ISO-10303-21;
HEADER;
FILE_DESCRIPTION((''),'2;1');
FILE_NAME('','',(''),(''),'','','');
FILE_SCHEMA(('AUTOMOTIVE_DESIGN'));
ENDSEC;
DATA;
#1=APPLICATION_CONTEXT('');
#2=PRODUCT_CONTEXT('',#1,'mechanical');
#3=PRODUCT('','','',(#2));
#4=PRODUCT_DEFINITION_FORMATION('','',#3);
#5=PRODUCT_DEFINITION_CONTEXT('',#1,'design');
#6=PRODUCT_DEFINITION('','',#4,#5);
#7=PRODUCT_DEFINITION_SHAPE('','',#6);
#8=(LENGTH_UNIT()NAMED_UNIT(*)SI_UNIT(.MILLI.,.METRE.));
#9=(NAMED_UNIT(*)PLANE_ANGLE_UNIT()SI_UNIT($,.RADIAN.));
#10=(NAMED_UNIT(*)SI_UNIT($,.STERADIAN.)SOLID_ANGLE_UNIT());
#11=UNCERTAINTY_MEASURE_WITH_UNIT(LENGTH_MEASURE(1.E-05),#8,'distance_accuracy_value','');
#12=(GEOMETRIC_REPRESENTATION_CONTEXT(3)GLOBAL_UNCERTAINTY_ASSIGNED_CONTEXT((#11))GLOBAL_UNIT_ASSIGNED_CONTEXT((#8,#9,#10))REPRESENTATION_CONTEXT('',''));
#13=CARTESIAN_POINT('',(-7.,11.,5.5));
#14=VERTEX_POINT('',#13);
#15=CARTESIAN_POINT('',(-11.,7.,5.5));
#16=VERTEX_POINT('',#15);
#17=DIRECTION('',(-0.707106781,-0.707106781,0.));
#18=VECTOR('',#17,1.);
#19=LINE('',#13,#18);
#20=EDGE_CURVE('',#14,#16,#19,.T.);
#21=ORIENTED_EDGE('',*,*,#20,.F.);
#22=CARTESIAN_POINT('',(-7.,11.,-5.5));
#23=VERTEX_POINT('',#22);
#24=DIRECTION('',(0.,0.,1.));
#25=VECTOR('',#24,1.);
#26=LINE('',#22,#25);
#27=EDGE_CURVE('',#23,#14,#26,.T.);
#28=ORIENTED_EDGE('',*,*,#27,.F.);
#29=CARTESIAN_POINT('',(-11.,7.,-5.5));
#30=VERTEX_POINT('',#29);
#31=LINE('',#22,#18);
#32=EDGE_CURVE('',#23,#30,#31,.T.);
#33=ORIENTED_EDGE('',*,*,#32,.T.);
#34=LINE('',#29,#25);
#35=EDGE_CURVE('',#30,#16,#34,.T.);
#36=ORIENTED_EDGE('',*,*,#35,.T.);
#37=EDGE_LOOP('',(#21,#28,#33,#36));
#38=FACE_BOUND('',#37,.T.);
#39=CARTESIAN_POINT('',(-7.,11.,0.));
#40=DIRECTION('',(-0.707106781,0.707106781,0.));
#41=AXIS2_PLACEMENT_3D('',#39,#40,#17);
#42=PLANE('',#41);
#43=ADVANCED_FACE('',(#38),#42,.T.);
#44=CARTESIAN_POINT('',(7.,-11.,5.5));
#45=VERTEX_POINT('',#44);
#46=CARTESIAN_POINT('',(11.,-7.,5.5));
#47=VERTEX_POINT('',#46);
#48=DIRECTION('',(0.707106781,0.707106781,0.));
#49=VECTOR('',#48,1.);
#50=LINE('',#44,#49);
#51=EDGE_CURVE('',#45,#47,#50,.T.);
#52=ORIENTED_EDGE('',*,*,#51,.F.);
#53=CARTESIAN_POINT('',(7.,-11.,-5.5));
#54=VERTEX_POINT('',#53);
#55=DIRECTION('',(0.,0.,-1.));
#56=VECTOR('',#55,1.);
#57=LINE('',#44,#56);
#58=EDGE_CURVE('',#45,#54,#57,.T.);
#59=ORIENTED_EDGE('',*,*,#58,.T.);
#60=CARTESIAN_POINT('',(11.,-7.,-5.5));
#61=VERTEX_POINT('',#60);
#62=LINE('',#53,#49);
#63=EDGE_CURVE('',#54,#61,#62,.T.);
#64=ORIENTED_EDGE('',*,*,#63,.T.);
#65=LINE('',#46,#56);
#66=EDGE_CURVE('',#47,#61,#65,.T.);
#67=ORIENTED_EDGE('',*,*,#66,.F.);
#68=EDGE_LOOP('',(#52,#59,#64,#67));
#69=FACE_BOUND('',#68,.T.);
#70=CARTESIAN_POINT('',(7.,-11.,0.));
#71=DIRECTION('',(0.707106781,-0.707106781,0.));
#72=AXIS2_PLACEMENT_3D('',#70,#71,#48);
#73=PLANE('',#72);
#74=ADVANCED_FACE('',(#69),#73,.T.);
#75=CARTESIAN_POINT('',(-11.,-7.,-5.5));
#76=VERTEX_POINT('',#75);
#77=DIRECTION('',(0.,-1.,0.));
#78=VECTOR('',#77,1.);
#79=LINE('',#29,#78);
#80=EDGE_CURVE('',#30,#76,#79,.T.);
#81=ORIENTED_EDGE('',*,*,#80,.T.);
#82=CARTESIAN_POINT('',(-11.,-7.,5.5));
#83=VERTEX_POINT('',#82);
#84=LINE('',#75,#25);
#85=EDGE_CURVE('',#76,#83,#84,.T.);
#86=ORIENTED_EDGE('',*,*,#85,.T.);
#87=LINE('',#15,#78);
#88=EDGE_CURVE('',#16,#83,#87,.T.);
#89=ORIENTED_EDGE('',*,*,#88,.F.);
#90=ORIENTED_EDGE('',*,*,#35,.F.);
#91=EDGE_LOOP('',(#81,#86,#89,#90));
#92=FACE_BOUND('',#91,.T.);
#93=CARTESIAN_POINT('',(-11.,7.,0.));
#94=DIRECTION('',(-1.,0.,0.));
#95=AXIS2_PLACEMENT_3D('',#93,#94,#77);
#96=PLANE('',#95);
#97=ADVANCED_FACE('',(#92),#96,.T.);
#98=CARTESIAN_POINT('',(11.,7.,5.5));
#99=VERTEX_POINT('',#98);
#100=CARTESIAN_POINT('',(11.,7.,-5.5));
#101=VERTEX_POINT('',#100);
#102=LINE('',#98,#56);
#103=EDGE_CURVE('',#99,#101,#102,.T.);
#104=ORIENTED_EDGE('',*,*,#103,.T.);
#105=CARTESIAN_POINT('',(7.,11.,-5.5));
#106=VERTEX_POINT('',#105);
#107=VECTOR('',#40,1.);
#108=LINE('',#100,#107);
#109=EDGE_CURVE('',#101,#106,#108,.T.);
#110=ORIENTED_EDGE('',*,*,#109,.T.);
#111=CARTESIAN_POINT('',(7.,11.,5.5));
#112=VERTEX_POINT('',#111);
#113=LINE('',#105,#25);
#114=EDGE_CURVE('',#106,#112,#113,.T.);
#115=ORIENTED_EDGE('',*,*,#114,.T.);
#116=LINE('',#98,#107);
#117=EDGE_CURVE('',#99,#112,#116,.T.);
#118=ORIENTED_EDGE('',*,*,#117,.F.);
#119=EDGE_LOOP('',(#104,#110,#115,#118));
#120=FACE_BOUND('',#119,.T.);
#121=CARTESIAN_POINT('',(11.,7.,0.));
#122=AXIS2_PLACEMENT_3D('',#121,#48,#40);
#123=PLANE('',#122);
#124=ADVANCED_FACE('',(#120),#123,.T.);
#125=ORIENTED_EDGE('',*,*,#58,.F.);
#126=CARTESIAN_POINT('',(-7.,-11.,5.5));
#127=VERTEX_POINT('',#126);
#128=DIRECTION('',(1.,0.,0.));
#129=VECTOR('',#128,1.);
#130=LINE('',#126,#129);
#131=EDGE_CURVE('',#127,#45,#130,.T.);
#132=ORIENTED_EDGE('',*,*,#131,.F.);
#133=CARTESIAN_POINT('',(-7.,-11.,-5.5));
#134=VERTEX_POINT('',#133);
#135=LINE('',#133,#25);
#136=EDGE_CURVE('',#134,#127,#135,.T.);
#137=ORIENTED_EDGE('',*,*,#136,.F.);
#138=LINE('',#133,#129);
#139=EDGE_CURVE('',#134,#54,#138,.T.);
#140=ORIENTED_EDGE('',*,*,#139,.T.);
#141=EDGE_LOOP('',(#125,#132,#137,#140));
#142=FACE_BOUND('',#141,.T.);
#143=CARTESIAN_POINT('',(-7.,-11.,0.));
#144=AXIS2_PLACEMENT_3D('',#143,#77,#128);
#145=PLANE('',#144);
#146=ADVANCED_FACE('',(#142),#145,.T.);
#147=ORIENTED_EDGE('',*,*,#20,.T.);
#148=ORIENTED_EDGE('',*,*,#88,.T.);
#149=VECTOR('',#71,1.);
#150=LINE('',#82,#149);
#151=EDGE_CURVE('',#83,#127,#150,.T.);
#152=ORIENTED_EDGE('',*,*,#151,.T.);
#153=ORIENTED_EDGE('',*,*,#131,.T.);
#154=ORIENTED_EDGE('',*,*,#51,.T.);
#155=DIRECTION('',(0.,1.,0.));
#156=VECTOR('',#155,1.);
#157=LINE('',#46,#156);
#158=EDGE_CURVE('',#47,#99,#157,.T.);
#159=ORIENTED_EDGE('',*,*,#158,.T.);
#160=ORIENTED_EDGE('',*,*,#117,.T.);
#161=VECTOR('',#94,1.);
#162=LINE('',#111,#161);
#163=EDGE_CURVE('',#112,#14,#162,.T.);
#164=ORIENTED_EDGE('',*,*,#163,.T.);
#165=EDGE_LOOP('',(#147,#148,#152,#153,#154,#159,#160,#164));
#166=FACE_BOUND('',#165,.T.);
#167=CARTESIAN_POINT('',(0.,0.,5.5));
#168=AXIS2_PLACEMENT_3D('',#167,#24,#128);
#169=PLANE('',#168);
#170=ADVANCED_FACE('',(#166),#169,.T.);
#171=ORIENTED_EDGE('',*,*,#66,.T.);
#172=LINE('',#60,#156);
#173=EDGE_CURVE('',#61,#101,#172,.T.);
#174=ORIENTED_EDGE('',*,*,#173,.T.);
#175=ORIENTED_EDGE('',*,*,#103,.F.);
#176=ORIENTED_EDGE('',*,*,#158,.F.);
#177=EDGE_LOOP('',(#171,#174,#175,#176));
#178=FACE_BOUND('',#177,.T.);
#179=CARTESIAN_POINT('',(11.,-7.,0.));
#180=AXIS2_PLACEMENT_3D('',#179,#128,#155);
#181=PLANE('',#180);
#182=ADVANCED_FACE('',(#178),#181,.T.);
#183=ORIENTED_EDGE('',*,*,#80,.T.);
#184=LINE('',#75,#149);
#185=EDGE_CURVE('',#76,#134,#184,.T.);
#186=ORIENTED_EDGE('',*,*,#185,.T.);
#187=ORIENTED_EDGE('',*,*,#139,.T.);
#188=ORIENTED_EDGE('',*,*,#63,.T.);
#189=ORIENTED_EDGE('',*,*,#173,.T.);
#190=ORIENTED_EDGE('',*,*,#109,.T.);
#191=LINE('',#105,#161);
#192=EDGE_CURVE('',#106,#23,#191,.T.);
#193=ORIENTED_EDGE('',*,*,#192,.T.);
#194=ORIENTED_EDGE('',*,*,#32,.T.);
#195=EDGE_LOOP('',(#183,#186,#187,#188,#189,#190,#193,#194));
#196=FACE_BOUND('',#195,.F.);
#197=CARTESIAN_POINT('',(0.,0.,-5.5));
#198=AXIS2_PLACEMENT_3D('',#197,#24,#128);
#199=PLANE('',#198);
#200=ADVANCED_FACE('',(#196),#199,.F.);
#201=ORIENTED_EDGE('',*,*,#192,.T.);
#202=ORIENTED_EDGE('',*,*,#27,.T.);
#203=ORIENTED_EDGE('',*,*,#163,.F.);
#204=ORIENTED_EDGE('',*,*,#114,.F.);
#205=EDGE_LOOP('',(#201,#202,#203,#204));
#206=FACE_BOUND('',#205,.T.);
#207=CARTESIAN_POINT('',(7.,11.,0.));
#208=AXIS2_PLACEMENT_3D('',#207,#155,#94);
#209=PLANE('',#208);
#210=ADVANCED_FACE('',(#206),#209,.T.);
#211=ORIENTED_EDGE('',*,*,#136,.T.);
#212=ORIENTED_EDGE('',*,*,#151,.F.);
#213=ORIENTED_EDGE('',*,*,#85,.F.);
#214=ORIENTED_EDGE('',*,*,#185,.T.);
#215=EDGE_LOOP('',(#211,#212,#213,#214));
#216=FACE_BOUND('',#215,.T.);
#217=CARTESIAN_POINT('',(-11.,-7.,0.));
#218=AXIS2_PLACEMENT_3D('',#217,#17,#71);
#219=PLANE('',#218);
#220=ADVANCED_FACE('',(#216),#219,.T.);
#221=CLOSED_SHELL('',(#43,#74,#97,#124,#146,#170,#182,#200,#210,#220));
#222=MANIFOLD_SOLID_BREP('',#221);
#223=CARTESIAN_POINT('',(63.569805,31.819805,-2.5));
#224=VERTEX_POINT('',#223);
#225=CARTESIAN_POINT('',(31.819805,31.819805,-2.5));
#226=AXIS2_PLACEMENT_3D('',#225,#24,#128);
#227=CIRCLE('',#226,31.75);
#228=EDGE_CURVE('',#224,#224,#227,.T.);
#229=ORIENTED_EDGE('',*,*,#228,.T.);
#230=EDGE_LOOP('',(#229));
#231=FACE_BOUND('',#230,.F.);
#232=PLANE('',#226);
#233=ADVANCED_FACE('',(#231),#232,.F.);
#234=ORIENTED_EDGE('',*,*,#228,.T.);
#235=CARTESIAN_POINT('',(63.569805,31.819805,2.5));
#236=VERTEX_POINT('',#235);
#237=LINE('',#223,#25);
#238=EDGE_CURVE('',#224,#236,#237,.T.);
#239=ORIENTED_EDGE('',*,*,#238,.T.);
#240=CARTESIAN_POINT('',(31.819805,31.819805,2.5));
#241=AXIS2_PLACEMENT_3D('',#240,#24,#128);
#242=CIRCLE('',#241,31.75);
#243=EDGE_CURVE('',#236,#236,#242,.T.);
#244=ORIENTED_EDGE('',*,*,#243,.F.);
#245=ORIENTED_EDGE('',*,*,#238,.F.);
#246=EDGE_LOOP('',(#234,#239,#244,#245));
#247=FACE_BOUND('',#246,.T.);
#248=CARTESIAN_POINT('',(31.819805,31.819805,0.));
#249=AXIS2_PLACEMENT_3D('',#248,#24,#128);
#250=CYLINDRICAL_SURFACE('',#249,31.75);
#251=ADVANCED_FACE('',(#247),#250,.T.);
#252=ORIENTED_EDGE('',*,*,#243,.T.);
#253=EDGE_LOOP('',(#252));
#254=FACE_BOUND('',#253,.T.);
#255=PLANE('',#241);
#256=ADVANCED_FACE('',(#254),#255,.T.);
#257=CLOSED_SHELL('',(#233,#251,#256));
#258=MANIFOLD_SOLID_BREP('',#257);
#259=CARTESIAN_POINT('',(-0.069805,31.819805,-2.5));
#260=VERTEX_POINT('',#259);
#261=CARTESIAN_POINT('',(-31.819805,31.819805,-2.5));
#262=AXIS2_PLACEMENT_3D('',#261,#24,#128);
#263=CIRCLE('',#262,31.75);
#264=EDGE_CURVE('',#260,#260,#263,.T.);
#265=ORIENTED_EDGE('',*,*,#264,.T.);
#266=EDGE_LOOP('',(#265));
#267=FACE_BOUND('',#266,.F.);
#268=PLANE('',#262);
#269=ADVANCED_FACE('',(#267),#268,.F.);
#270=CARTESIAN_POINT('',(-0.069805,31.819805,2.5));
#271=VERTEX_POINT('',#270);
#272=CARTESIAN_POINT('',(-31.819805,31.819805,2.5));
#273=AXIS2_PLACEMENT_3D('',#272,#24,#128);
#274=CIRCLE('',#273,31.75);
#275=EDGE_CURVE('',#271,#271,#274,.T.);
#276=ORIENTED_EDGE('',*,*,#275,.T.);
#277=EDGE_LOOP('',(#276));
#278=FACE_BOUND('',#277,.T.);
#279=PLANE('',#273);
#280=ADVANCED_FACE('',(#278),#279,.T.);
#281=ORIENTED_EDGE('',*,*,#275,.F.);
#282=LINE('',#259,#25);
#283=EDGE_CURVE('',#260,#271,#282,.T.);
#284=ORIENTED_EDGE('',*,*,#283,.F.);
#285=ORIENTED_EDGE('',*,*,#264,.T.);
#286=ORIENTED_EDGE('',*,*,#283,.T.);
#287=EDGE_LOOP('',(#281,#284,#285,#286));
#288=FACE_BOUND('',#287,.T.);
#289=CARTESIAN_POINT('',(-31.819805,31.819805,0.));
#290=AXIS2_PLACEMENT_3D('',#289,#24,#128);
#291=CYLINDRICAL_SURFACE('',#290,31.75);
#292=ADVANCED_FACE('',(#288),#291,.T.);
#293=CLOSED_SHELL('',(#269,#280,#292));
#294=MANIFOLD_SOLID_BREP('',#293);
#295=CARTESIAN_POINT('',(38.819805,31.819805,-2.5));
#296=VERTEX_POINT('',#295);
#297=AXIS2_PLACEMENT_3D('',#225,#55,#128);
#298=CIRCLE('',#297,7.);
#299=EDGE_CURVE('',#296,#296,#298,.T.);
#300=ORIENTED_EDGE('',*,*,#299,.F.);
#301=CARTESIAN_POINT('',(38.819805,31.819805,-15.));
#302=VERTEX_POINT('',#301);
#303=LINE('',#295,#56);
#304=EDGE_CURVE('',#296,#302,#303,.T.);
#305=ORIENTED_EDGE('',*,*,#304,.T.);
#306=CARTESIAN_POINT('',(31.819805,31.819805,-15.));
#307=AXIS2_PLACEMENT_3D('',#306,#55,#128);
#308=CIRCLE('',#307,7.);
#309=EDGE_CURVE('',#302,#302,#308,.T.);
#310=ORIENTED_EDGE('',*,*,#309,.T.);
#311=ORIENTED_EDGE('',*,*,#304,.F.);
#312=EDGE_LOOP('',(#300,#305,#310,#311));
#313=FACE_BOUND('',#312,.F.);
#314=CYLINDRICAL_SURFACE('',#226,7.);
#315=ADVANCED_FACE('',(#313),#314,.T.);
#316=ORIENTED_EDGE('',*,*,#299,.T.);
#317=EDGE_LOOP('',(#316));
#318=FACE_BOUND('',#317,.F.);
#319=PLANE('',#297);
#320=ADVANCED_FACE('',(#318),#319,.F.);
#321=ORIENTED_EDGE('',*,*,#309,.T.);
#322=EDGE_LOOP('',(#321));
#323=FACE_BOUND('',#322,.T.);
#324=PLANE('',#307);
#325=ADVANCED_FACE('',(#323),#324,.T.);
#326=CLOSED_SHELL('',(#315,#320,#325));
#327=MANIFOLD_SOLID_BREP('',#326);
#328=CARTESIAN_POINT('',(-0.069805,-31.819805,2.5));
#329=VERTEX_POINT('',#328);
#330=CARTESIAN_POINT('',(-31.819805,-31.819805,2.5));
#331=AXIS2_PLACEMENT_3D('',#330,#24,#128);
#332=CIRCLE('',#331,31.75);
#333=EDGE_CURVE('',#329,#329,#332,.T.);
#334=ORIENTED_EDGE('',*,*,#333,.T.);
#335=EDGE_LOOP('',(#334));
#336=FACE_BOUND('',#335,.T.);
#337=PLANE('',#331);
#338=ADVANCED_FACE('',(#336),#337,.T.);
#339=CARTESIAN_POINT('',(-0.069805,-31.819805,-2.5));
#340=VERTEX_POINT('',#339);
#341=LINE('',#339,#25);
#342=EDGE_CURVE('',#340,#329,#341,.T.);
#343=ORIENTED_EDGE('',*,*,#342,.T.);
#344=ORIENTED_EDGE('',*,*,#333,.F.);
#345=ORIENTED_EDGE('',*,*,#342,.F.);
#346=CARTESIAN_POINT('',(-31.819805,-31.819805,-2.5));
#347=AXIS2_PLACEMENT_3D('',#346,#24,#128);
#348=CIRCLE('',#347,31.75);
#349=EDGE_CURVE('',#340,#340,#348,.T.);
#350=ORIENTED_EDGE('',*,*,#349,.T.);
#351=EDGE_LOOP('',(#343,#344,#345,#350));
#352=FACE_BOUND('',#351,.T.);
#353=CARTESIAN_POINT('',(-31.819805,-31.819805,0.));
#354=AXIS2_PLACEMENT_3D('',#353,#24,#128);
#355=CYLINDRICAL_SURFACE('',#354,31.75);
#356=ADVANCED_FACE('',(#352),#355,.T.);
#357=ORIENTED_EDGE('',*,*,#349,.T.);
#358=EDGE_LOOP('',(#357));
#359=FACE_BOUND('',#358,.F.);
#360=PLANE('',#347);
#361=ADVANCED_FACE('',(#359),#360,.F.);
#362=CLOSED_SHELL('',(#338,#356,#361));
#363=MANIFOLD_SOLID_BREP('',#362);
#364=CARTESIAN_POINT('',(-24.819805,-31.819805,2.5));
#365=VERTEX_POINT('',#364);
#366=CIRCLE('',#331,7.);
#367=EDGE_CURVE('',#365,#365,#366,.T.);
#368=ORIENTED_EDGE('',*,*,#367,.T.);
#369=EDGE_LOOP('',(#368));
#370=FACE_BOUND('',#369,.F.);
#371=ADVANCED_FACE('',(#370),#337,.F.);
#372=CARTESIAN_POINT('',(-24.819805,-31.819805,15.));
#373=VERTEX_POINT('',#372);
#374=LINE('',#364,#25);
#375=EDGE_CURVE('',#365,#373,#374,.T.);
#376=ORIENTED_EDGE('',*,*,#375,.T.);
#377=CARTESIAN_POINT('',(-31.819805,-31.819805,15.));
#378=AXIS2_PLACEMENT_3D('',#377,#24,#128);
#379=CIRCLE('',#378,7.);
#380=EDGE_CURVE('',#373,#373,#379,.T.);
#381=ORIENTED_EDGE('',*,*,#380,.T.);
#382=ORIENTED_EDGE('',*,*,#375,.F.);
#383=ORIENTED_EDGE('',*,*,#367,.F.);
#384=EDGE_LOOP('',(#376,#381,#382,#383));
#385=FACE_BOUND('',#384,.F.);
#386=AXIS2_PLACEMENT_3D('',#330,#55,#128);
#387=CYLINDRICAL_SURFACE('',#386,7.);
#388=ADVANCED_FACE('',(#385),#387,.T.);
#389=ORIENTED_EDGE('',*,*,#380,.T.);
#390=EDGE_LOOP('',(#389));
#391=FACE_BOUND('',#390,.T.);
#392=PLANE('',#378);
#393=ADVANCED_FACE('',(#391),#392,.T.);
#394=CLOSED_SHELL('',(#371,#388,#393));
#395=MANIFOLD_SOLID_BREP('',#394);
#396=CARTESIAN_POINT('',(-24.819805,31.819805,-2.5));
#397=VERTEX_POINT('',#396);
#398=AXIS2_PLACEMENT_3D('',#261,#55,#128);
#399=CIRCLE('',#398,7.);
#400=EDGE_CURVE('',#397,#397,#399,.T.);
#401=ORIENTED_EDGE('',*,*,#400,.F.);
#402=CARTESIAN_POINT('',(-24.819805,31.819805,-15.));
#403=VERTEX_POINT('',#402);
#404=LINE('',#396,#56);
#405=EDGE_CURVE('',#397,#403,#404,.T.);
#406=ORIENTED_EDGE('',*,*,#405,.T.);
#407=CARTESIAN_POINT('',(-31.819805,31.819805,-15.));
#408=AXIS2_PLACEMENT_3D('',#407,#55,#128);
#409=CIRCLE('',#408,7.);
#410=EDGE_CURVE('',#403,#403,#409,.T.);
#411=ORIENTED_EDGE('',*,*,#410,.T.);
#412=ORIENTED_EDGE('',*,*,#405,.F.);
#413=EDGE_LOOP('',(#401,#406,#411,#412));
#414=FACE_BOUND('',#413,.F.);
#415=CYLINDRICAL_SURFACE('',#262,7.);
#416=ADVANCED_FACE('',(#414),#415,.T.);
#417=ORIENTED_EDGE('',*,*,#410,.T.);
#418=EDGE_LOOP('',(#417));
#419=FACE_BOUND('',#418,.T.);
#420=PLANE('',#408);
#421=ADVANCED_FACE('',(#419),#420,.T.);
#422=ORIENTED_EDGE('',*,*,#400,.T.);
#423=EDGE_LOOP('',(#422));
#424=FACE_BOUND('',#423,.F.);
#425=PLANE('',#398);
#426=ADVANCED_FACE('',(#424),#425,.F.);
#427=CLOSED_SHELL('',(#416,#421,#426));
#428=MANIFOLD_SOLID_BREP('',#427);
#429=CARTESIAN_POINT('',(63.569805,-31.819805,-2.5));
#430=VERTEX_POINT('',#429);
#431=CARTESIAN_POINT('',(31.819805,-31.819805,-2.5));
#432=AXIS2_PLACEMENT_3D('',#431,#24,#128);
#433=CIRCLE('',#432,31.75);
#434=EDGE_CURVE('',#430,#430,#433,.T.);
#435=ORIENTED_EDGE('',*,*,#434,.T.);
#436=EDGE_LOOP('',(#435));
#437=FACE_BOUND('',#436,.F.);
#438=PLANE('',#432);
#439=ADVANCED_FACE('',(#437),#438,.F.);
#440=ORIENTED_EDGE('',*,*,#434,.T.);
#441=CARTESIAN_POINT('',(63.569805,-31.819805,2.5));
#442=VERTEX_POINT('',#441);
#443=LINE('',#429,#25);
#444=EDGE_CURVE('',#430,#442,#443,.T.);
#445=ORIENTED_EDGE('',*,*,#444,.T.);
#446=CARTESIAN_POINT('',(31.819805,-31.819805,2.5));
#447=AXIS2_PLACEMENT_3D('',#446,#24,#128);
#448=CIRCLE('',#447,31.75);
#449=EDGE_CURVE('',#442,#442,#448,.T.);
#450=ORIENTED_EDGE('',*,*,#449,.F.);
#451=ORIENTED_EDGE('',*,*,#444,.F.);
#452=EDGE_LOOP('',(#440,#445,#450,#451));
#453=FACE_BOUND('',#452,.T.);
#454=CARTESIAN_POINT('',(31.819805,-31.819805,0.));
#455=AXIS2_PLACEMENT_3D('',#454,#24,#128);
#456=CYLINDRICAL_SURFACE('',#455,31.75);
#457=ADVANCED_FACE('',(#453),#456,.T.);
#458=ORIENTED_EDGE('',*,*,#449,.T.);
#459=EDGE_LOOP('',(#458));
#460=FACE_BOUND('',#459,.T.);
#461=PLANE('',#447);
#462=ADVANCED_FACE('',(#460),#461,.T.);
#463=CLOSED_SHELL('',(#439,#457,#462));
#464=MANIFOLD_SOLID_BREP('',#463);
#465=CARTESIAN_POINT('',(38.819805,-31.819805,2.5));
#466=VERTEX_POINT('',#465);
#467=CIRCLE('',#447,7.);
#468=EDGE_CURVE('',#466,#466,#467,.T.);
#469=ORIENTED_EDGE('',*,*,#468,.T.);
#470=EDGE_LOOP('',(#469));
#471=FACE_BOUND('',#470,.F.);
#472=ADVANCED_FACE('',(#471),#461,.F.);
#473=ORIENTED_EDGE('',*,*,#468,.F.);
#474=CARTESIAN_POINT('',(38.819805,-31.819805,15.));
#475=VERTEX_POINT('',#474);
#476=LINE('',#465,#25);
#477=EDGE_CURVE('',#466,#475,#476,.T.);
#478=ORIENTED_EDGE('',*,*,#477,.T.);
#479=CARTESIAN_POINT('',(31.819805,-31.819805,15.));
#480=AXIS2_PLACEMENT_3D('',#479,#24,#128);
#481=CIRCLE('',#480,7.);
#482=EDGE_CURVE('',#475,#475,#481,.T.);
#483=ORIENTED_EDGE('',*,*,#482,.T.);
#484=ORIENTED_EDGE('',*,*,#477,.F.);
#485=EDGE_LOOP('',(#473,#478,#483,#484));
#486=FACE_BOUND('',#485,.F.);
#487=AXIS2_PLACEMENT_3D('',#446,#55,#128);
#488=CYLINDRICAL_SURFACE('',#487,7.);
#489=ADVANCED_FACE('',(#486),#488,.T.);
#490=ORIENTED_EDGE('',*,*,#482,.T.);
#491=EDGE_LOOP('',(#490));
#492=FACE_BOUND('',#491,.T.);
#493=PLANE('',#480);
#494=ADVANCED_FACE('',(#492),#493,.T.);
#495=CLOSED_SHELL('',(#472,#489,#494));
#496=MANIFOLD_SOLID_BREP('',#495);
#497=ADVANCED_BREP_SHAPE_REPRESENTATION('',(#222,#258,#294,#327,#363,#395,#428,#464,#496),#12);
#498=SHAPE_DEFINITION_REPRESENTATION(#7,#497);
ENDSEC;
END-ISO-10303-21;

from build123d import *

# Parameters (mm, degrees)
F0_R      = 31.75
F1_DEPTH  = 2.5
F2_R      = 7
F3_DEPTH  = 12.5
F4_R      = 7
F5_DEPTH  = 12.5
F6_R      = 7
F7_DEPTH  = 12.5
F8_R      = 7
F9_DEPTH  = 12.5
F10_DEPTH = 5.5


with BuildPart() as f1:
    # F0 (on Top) → F1 (new body, symmetric)
    with BuildSketch(Plane.XY):
        with Locations((-31.8198051534, -31.8198051534)):
            Circle(F0_R)
    extrude(amount=F1_DEPTH, both=True)


with BuildPart() as f1b:
    # F0 (on Top) → F1, piece 2 (new body, symmetric)
    with BuildSketch(Plane.XY):
        with Locations((-31.8198051534, 31.8198051534)):
            Circle(F0_R)
    extrude(amount=F1_DEPTH, both=True)


with BuildPart() as f1c:
    # F0 (on Top) → F1, piece 3 (new body, symmetric)
    with BuildSketch(Plane.XY):
        with Locations((31.8198051534, 31.8198051534)):
            Circle(F0_R)
    extrude(amount=F1_DEPTH, both=True)


with BuildPart() as f1d:
    # F0 (on Top) → F1, piece 4 (new body, symmetric)
    with BuildSketch(Plane.XY):
        with Locations((31.8198051534, -31.8198051534)):
            Circle(F0_R)
    extrude(amount=F1_DEPTH, both=True)


with BuildPart() as f3:
    # F2 (on face) → F3 (new body)
    with BuildSketch(Plane.XY.offset(2.5)):
        with Locations((-31.8198051534, -31.8198051534)):
            Circle(F2_R)
    extrude(amount=F3_DEPTH)


with BuildPart() as f5:
    # F4 (on face) → F5 (new body)
    with BuildSketch(Plane.XY.offset(2.5)):
        with Locations((31.8198051534, -31.8198051534)):
            Circle(F4_R)
    extrude(amount=F5_DEPTH)


with BuildPart() as f7:
    # F6 (on face) → F7 (new body)
    with BuildSketch(Plane(origin=(0, 0, -2.5), x_dir=(1, 0, 0), z_dir=(0, 0, -1))):
        with Locations((-31.8198051534, -31.8198051534)):
            Circle(F6_R)
    extrude(amount=F7_DEPTH)


with BuildPart() as f9:
    # F8 (on face) → F9 (new body)
    with BuildSketch(Plane(origin=(0, 0, -2.5), x_dir=(1, 0, 0), z_dir=(0, 0, -1))):
        with Locations((31.8198051534, -31.8198051534)):
            Circle(F8_R)
    extrude(amount=F9_DEPTH)


with BuildPart() as f10:
    # F0 (on Top) → F10 (new body, symmetric)
    with BuildSketch(Plane.XY):
        Polygon((11, 7), (7, 11), (-7, 11), (-11, 7), (-11, -7), (-7, -11), (7, -11), (11, -7), align=None)
    extrude(amount=F10_DEPTH, both=True)


solid = Compound([f1.part, f1b.part, f1c.part, f1d.part, f3.part, f5.part, f7.part, f9.part, f10.part])
